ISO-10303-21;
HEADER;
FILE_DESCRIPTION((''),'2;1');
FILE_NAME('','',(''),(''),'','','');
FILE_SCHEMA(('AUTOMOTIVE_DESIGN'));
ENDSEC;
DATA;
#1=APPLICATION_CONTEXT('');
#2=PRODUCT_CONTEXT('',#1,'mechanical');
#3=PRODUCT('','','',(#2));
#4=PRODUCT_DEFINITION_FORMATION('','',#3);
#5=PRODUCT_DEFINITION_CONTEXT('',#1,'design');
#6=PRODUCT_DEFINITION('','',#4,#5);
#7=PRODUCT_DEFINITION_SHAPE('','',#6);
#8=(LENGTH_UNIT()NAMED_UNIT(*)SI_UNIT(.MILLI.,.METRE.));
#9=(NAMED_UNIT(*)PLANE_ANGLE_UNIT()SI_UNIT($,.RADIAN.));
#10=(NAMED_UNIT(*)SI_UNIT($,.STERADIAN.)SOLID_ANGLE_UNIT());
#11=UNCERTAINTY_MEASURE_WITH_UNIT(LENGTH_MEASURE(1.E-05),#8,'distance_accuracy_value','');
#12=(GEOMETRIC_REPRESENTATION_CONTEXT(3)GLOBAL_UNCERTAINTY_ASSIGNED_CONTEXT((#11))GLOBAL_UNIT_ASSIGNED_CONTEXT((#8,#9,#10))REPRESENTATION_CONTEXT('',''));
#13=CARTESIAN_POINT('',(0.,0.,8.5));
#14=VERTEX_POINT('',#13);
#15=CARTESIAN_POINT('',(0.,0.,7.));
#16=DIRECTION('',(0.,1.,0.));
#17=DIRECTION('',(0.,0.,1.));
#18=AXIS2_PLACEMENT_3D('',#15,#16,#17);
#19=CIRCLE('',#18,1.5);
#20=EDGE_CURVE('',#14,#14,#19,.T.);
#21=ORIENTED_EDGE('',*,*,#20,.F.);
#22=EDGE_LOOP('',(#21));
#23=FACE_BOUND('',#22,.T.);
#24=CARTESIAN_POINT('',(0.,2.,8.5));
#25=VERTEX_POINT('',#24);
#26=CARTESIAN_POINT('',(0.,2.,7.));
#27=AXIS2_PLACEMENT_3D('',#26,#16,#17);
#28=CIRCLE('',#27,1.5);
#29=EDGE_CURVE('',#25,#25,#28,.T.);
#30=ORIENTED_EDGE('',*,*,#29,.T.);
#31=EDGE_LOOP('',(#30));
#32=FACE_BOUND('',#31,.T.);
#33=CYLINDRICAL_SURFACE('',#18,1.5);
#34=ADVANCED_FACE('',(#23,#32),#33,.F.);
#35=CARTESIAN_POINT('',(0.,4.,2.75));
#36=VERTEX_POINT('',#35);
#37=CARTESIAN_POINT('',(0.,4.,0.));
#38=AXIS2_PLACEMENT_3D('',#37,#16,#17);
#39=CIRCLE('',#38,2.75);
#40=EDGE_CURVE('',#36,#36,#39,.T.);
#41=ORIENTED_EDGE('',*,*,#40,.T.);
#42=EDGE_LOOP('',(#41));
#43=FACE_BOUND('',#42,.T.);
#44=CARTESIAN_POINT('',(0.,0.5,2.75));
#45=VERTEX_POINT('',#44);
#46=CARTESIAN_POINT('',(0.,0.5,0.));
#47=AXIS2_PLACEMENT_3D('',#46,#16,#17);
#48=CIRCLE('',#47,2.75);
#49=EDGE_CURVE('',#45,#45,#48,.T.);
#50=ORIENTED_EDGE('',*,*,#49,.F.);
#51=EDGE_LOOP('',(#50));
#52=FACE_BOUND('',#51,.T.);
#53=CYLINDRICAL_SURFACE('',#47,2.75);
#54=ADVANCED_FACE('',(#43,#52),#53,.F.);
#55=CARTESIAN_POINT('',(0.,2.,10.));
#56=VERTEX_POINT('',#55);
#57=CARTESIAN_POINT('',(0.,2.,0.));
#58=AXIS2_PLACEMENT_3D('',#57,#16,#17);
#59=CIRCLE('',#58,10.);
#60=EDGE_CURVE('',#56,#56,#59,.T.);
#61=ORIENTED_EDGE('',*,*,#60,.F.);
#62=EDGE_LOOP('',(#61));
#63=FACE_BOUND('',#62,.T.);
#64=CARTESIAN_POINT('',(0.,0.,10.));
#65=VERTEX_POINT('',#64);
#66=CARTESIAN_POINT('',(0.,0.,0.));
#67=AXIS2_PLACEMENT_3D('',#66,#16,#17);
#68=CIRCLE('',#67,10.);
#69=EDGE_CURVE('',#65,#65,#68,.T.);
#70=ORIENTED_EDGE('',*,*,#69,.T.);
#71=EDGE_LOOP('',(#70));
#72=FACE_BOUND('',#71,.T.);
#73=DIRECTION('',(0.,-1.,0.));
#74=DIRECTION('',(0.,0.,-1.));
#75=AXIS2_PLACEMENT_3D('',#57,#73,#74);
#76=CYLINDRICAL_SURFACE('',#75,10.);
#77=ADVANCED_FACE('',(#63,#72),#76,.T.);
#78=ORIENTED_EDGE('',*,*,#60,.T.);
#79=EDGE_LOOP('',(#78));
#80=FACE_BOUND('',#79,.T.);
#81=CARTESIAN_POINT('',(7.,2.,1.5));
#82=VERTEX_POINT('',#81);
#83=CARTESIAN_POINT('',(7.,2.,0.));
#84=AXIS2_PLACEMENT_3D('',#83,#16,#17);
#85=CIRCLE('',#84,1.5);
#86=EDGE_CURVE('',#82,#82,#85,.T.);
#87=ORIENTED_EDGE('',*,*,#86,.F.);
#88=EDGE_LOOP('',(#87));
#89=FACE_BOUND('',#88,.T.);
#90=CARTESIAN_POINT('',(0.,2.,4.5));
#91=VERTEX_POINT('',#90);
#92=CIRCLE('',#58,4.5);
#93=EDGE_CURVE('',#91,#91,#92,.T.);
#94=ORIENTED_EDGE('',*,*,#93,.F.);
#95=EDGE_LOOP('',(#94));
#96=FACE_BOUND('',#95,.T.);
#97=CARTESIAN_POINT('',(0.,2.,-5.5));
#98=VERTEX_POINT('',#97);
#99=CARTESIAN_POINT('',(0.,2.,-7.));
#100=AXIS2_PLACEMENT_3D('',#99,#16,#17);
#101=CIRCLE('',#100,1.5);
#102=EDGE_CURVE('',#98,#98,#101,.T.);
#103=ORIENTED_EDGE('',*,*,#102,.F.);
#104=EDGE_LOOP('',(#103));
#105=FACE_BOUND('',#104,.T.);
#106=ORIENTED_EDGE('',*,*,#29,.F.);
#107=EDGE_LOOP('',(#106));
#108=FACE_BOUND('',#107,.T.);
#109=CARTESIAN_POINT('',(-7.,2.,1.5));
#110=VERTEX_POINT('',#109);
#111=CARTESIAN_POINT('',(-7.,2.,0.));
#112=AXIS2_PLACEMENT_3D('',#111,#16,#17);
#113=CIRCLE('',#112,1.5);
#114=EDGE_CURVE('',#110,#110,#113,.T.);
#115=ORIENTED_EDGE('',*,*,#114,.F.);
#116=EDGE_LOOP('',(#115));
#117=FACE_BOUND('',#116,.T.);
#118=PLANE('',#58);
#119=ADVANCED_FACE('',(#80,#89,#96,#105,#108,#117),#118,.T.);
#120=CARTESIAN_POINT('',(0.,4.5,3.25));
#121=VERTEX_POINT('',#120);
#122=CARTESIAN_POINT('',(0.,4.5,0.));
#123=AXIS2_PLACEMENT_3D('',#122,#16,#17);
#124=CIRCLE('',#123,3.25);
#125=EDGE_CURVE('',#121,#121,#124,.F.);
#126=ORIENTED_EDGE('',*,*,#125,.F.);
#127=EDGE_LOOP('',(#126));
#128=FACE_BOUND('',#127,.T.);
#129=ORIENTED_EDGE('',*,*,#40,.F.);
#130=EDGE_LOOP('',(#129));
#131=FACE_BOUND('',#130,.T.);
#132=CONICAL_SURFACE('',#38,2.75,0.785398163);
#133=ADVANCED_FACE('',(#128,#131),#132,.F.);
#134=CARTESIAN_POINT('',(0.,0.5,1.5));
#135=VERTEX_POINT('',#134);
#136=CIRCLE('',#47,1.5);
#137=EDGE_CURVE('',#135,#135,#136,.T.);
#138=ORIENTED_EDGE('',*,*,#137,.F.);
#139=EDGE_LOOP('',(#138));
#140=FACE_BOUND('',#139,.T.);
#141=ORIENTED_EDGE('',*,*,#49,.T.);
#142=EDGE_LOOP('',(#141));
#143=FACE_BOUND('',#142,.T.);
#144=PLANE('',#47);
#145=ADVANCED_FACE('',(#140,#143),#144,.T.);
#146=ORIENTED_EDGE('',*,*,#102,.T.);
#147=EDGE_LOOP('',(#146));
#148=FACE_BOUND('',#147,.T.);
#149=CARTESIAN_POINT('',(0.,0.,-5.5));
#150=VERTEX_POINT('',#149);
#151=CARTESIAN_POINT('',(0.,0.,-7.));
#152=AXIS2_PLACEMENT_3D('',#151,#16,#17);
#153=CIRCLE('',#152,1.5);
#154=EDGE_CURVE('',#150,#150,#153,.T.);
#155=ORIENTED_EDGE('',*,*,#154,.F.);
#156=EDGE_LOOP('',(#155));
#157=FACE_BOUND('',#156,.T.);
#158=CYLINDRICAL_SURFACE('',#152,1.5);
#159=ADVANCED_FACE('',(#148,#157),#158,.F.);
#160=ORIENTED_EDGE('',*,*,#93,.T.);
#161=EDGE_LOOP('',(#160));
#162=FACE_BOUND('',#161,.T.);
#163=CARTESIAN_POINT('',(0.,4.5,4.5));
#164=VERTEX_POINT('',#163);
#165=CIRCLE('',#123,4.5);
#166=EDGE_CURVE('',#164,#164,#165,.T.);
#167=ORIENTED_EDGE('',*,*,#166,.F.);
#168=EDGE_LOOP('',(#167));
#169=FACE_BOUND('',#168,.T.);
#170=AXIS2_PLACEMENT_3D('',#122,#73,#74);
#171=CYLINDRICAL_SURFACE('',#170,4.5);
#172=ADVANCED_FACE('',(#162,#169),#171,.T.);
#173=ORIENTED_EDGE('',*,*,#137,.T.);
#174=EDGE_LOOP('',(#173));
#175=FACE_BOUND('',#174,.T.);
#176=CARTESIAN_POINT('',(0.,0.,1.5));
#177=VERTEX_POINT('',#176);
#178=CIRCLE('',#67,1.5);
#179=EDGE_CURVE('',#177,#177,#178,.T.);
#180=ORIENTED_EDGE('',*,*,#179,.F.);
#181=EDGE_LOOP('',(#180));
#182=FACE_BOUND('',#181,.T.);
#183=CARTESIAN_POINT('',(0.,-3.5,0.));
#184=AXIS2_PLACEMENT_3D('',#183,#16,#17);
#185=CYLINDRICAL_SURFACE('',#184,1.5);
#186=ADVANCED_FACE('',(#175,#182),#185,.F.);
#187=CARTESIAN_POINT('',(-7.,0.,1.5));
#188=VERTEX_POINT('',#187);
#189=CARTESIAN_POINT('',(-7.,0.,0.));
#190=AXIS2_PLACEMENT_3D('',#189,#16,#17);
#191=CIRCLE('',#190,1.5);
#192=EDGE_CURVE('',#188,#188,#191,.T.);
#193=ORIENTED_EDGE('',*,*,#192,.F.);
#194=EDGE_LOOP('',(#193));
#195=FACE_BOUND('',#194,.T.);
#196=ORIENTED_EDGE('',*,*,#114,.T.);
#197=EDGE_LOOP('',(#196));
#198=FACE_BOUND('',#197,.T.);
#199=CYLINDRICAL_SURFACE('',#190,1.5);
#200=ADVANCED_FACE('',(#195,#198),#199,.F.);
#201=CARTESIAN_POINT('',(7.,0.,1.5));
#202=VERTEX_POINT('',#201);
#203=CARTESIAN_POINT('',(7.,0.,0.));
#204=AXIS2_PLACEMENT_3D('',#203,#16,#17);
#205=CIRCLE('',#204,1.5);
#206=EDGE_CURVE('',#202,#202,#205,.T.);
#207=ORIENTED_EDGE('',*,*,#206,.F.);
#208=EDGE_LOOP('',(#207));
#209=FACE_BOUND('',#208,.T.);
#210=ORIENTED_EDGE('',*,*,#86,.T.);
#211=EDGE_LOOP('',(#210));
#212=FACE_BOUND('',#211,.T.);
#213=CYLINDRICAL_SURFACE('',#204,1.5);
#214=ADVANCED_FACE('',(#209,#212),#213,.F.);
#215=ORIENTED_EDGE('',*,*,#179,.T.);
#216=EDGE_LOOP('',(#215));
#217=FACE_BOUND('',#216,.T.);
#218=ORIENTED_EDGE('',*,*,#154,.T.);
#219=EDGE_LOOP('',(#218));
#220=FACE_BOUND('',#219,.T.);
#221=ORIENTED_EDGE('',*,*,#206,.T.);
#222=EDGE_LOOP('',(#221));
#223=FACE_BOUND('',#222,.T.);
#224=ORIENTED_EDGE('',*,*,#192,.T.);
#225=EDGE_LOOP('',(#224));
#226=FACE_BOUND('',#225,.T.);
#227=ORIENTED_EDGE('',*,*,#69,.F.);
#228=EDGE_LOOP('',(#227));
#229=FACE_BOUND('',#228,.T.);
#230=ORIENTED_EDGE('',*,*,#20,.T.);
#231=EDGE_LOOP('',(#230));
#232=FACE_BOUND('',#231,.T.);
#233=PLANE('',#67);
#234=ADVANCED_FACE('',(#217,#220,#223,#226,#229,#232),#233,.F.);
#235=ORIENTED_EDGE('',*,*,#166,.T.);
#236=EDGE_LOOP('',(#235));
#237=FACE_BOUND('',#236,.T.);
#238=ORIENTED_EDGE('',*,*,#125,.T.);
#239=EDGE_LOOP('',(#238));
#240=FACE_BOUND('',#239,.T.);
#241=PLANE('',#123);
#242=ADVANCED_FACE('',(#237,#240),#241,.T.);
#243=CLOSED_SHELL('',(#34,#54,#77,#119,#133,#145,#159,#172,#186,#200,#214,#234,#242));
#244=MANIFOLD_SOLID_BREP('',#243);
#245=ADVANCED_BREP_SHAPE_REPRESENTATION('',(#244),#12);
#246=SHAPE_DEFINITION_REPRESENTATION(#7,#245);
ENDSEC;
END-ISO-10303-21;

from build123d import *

# Parameters (mm, degrees)
SKETCH_1_R          = 10
EXTRUDE_1_DEPTH     = 2
SKETCH_2_R          = 1.5
CUT_EXTRUDE_1_DEPTH = 2
SKETCH_3_R          = 4.5
EXTRUDE_2_DEPTH     = 2.5
SKETCH_4_R          = 2.75
CUT_EXTRUDE_2_DEPTH = 4
SKETCH_5_R          = 1.5
CUT_EXTRUDE_3_DEPTH = 4
CHAMFER_1_SIZE      = 0.5


with BuildPart() as part:
    # 草图1 → 凸台-拉伸1 (new body)
    with BuildSketch(Plane(origin=(0, 0, 0), x_dir=(1, 0, 0), z_dir=(0, 1, 0))):
        with Locations(Location((0, 0, 0), (0, 0, 270))):
            Circle(SKETCH_1_R)
    extrude(amount=EXTRUDE_1_DEPTH)

    # 草图2 → 切除-拉伸1 (cut)
    with BuildSketch(Plane(origin=(0, 2, 0), x_dir=(1, 0, 0), z_dir=(0, 1, 0))):
        with Locations(Location((-7, 0, 0), (0, 0, 270))):
            Circle(SKETCH_2_R)
        with Locations(Location((0, 7, 0), (0, 0, 270))):
            Circle(SKETCH_2_R)
        with Locations(Location((7, 0, 0), (0, 0, 270))):
            Circle(SKETCH_2_R)
        with Locations(Location((0, -7, 0), (0, 0, 270))):
            Circle(SKETCH_2_R)
    extrude(amount=-CUT_EXTRUDE_1_DEPTH, mode=Mode.SUBTRACT)

    # 草图3 → 凸台-拉伸2 (add)
    with BuildSketch(Plane(origin=(0, 2, 0), x_dir=(1, 0, 0), z_dir=(0, 1, 0))):
        with Locations(Location((0, 0, 0), (0, 0, 270))):
            Circle(SKETCH_3_R)
    extrude(amount=EXTRUDE_2_DEPTH)

    # 草图4 → 切除-拉伸2 (cut)
    with BuildSketch(Plane(origin=(0, 4.5, 0), x_dir=(1, 0, 0), z_dir=(0, 1, 0))):
        with Locations(Location((0, 0, 0), (0, 0, 270))):
            Circle(SKETCH_4_R)
    extrude(amount=-CUT_EXTRUDE_2_DEPTH, mode=Mode.SUBTRACT)

    # 草图5 → 切除-拉伸3 (cut)
    with BuildSketch(Plane(origin=(0, 0.5, 0), x_dir=(1, 0, 0), z_dir=(0, 1, 0))):
        with Locations(Location((0, 0, 0), (0, 0, 270))):
            Circle(SKETCH_5_R)
    extrude(amount=-CUT_EXTRUDE_3_DEPTH, mode=Mode.SUBTRACT)

    # 倒角1
    chamfer_1_edges = [part.edges().sort_by_distance(p)[0] for p in [
        (0, 4.5, -2.75),
    ]]
    chamfer(chamfer_1_edges, length=CHAMFER_1_SIZE)


solid = part.part
